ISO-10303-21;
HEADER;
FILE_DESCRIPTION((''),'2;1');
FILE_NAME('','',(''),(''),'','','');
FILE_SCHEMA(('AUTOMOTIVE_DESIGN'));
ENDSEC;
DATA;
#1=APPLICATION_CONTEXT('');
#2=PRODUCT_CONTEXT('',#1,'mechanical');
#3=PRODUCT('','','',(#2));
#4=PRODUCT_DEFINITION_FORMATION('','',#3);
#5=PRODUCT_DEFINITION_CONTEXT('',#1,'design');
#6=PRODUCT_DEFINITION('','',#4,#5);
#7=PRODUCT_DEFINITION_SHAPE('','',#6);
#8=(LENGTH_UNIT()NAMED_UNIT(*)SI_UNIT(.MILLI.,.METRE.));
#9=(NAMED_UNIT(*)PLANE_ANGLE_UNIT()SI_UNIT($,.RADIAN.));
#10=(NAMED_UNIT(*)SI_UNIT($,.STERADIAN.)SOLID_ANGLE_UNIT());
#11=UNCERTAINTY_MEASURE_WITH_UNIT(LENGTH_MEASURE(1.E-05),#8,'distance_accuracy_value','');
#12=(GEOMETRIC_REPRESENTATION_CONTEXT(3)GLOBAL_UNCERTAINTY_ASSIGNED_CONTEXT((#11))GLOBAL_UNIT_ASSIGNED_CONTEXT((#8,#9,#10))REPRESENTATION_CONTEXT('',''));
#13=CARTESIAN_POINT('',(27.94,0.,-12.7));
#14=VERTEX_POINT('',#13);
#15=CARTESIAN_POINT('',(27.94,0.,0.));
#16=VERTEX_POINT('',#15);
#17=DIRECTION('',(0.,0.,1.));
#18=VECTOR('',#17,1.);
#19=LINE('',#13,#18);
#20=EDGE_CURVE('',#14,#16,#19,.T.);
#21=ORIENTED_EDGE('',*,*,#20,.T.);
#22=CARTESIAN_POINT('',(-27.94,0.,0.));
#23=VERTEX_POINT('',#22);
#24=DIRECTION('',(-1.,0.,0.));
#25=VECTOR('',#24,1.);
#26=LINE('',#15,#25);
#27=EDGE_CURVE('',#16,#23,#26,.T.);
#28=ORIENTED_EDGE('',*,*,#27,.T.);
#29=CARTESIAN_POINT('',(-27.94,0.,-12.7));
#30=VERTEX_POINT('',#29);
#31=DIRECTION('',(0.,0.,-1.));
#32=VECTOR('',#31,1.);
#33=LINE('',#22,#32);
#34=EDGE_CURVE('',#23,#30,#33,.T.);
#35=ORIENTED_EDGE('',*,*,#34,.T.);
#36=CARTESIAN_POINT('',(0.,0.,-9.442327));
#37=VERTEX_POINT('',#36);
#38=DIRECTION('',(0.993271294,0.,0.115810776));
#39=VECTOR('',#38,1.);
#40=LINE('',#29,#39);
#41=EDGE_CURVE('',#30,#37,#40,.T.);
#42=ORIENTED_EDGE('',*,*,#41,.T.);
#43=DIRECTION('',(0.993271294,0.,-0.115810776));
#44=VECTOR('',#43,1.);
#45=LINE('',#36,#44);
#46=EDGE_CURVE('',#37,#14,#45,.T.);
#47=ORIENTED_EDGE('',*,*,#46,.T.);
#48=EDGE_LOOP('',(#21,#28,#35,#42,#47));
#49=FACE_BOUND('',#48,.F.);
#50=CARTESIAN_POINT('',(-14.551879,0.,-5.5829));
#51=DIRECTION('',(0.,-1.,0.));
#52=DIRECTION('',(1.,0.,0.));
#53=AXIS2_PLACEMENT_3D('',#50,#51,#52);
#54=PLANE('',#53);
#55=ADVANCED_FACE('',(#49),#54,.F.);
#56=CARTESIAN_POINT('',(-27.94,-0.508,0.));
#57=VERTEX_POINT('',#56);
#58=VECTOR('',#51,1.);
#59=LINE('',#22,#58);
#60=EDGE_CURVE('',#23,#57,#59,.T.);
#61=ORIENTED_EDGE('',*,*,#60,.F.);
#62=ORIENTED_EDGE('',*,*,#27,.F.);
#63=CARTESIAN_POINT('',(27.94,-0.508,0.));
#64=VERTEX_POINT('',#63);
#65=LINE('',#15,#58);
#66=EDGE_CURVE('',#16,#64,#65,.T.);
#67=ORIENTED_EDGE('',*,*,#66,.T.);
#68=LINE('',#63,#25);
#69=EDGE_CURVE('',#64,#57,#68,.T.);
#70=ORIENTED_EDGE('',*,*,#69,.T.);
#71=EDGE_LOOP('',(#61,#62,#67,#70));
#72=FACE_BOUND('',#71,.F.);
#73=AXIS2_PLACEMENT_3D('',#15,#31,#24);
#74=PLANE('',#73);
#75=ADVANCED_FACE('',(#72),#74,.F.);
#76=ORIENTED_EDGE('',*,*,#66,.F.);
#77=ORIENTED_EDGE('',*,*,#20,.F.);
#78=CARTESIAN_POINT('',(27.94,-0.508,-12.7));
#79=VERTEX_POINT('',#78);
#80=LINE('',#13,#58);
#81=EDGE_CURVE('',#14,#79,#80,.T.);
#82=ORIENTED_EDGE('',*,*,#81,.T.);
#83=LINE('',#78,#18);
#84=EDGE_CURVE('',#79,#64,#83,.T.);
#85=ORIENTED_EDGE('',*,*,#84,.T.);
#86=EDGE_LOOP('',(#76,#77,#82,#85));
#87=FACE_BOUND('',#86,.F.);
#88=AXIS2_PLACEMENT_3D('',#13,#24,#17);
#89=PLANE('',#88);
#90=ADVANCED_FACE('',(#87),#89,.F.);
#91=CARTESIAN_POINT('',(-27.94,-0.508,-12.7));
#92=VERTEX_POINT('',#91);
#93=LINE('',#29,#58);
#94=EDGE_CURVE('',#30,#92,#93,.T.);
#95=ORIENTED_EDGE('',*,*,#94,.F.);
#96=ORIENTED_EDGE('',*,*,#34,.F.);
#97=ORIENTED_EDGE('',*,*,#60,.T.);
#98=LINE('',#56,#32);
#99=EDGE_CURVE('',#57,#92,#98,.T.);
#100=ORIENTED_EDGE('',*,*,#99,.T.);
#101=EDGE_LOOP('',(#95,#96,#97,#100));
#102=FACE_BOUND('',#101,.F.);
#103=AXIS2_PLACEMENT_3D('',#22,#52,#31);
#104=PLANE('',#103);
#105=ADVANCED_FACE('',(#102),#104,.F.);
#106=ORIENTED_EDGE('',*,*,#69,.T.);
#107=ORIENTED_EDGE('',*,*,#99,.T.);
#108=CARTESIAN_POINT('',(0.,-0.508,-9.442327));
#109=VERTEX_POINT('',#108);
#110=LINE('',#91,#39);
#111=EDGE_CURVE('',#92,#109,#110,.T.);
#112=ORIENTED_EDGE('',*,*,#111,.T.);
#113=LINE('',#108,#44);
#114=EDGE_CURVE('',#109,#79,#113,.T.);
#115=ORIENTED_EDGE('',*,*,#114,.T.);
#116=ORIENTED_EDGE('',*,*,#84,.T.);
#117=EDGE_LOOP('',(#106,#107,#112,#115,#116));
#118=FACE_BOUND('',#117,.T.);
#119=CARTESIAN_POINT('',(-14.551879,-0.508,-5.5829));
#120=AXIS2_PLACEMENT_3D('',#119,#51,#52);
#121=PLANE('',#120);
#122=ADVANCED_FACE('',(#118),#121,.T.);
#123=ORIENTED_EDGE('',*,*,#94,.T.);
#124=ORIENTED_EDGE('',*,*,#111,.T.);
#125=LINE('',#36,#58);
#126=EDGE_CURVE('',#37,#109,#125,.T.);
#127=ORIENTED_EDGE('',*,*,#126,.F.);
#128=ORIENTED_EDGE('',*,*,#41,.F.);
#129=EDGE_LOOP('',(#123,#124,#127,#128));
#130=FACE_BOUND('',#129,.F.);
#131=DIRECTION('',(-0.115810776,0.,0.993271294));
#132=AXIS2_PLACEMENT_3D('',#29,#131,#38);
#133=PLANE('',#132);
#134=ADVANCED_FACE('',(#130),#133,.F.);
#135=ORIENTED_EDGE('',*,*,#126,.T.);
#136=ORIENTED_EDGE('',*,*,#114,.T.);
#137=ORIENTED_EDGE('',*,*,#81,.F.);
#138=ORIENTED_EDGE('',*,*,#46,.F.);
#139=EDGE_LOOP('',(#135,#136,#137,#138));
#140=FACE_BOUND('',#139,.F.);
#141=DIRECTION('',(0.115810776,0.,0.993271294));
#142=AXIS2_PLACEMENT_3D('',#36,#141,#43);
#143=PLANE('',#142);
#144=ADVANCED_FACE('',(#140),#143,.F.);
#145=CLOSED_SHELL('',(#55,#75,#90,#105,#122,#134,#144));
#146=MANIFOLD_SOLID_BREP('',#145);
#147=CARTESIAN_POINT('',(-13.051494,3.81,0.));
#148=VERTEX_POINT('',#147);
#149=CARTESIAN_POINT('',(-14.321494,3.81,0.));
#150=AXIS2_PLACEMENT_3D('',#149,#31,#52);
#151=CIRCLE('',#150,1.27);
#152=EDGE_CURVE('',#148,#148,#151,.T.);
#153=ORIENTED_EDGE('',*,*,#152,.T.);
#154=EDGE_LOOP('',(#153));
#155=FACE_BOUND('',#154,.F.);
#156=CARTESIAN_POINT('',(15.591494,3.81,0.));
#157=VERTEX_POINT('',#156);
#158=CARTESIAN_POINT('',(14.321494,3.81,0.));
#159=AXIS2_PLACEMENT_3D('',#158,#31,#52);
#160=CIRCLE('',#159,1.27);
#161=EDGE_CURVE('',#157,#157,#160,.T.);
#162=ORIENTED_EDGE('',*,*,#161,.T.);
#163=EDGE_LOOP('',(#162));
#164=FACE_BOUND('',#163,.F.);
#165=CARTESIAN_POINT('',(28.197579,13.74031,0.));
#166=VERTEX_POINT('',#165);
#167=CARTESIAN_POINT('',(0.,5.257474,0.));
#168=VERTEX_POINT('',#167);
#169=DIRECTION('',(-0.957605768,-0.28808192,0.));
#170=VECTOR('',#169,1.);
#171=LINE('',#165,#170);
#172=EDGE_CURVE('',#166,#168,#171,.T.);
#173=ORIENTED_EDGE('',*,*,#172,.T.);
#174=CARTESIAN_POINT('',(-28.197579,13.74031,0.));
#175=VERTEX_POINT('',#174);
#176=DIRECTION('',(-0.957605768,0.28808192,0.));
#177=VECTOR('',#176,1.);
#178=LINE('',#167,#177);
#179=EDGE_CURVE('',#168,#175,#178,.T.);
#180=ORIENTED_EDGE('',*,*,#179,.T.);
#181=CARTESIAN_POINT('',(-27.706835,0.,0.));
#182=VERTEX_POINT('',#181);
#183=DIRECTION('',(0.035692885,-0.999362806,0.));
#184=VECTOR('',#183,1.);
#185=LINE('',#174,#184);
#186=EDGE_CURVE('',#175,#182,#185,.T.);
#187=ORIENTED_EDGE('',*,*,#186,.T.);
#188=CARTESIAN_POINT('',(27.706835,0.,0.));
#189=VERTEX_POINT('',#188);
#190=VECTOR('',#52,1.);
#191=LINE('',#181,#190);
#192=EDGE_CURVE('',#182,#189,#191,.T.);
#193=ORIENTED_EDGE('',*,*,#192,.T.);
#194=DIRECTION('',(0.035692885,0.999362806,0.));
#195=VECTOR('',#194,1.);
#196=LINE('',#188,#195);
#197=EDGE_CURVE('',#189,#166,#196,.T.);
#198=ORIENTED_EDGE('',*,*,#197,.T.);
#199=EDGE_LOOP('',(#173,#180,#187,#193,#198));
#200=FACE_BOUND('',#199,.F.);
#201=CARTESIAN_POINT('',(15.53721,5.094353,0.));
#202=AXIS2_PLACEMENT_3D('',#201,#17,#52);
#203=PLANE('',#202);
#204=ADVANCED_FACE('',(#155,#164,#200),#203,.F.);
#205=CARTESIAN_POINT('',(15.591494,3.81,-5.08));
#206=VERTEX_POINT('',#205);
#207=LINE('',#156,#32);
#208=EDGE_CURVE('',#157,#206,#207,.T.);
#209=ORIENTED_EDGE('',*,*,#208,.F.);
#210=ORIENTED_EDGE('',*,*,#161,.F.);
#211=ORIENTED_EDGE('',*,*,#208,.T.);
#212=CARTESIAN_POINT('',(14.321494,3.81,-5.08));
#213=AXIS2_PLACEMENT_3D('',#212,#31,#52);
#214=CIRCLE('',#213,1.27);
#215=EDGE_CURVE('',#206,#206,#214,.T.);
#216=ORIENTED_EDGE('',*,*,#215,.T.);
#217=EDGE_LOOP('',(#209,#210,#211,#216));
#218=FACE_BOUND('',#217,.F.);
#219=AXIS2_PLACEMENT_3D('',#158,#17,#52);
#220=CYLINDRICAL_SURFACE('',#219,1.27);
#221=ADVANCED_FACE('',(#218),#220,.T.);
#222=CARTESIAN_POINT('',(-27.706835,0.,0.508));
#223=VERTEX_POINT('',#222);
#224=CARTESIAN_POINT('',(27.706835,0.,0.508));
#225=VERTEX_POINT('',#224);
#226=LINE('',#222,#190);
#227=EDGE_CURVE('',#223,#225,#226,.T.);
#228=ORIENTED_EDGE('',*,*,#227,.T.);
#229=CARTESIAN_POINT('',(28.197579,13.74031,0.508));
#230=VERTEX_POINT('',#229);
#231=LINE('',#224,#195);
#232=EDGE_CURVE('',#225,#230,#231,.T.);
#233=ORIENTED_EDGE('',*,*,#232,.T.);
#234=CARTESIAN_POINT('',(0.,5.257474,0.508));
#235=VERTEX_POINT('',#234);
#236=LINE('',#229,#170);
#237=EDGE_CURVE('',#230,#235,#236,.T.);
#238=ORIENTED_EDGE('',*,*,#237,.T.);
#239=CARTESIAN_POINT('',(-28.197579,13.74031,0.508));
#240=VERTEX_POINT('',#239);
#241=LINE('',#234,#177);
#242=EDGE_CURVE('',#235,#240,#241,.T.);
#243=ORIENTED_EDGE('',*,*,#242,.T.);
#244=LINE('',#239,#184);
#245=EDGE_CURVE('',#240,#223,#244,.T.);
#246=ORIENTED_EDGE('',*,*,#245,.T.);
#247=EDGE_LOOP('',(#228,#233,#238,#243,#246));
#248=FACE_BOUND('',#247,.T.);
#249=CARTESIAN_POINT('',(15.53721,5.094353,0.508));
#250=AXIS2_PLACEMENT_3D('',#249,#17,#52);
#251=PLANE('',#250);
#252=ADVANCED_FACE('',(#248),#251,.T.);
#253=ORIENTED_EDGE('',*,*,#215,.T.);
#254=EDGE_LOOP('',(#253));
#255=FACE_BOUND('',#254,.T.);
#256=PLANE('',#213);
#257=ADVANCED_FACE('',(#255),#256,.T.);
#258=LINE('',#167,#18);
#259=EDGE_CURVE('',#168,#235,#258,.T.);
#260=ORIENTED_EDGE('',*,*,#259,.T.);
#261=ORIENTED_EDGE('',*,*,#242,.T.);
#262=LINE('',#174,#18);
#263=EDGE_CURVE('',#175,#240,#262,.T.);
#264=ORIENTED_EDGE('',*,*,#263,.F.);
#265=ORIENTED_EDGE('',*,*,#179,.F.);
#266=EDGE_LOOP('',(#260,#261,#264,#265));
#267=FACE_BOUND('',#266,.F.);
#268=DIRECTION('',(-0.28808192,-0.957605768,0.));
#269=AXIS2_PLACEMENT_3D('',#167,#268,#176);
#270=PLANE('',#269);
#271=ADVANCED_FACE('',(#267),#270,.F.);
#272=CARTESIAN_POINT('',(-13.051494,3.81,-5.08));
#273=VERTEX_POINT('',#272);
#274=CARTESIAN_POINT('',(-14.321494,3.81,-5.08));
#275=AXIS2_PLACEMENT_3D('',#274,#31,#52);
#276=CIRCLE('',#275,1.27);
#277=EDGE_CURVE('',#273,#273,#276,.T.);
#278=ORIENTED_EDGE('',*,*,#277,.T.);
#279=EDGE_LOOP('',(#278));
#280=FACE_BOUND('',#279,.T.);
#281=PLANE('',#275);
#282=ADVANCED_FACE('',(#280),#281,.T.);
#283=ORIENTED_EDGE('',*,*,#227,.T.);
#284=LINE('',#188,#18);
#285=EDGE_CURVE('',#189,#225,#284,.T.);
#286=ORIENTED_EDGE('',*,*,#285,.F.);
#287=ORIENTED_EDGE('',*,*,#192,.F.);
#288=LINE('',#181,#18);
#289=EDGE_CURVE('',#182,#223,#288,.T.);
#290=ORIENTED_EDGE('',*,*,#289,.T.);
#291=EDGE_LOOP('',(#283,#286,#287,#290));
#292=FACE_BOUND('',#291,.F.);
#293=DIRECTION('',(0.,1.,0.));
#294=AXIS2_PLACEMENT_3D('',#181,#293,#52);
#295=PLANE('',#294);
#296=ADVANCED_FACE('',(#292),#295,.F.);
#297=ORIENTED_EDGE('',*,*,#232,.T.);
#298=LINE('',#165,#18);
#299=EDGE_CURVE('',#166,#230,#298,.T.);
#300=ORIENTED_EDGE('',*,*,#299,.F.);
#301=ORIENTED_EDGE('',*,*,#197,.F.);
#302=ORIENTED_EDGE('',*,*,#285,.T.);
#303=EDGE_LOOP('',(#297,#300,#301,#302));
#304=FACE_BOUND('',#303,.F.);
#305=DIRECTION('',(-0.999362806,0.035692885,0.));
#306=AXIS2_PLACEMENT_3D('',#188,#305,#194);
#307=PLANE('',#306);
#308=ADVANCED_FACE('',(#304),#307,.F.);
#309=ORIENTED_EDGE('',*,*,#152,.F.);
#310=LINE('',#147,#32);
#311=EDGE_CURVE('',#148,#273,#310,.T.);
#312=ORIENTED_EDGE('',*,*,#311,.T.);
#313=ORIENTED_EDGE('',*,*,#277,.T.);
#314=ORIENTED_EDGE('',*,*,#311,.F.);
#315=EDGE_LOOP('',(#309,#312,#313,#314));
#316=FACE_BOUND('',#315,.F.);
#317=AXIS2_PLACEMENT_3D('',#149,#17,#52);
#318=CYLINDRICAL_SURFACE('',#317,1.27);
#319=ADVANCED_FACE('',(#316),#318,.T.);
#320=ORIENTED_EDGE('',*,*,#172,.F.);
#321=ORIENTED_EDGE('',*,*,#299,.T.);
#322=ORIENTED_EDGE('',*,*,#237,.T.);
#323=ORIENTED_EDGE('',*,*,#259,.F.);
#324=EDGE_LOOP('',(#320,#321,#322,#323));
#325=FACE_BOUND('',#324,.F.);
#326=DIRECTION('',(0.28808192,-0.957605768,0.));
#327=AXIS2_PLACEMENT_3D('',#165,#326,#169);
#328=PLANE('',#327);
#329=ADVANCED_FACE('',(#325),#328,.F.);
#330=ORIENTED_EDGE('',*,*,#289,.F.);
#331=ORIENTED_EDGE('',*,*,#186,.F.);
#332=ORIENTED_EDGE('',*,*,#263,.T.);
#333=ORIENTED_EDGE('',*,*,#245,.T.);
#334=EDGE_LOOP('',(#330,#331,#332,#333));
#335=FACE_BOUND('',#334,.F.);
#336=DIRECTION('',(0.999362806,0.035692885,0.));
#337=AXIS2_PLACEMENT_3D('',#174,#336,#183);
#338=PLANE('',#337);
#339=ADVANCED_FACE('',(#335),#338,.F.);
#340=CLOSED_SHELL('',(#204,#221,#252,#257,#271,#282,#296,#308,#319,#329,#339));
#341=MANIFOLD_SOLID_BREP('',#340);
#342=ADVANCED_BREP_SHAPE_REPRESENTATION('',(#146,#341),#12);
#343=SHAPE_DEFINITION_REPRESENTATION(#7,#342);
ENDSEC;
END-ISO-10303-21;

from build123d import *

# Parameters (mm, degrees)
F1_DEPTH = 0.508
F3_DEPTH = 0.508
F4_R     = 1.27
F5_DEPTH = 5.08


with BuildPart() as f1:
    # F0 (on Front) → F1 (new body)
    with BuildSketch(Plane.XZ):
        Polygon((0, -9.442327), (0, 0), (-27.94, 0), (-27.94, -12.7), align=None)
        Polygon((27.94, 0), (0, 0), (0, -9.442327), (27.94, -12.7), align=None)
    extrude(amount=F1_DEPTH)


with BuildPart() as f3:
    # F2 (on Top) → F3 (new body)
    with BuildSketch(Plane.XY):
        Polygon((0, 5.257474), (0, 0), (27.706835, 0), (28.197579, 13.74031), align=None)
        Polygon((-27.706835, 0), (0, 0), (0, 5.257474), (-28.197579, 13.74031), align=None)
    extrude(amount=F3_DEPTH)

    # F4 (on face) → F5 (join)
    with BuildSketch(Plane(origin=(0, 0, 0), x_dir=(1, 0, 0), z_dir=(0, 0, -1))):
        with Locations((-14.321494, -3.81)):
            Circle(F4_R)
        with Locations((14.321494, -3.81)):
            Circle(F4_R)
    extrude(amount=F5_DEPTH)


solid = Compound([f1.part, f3.part])
